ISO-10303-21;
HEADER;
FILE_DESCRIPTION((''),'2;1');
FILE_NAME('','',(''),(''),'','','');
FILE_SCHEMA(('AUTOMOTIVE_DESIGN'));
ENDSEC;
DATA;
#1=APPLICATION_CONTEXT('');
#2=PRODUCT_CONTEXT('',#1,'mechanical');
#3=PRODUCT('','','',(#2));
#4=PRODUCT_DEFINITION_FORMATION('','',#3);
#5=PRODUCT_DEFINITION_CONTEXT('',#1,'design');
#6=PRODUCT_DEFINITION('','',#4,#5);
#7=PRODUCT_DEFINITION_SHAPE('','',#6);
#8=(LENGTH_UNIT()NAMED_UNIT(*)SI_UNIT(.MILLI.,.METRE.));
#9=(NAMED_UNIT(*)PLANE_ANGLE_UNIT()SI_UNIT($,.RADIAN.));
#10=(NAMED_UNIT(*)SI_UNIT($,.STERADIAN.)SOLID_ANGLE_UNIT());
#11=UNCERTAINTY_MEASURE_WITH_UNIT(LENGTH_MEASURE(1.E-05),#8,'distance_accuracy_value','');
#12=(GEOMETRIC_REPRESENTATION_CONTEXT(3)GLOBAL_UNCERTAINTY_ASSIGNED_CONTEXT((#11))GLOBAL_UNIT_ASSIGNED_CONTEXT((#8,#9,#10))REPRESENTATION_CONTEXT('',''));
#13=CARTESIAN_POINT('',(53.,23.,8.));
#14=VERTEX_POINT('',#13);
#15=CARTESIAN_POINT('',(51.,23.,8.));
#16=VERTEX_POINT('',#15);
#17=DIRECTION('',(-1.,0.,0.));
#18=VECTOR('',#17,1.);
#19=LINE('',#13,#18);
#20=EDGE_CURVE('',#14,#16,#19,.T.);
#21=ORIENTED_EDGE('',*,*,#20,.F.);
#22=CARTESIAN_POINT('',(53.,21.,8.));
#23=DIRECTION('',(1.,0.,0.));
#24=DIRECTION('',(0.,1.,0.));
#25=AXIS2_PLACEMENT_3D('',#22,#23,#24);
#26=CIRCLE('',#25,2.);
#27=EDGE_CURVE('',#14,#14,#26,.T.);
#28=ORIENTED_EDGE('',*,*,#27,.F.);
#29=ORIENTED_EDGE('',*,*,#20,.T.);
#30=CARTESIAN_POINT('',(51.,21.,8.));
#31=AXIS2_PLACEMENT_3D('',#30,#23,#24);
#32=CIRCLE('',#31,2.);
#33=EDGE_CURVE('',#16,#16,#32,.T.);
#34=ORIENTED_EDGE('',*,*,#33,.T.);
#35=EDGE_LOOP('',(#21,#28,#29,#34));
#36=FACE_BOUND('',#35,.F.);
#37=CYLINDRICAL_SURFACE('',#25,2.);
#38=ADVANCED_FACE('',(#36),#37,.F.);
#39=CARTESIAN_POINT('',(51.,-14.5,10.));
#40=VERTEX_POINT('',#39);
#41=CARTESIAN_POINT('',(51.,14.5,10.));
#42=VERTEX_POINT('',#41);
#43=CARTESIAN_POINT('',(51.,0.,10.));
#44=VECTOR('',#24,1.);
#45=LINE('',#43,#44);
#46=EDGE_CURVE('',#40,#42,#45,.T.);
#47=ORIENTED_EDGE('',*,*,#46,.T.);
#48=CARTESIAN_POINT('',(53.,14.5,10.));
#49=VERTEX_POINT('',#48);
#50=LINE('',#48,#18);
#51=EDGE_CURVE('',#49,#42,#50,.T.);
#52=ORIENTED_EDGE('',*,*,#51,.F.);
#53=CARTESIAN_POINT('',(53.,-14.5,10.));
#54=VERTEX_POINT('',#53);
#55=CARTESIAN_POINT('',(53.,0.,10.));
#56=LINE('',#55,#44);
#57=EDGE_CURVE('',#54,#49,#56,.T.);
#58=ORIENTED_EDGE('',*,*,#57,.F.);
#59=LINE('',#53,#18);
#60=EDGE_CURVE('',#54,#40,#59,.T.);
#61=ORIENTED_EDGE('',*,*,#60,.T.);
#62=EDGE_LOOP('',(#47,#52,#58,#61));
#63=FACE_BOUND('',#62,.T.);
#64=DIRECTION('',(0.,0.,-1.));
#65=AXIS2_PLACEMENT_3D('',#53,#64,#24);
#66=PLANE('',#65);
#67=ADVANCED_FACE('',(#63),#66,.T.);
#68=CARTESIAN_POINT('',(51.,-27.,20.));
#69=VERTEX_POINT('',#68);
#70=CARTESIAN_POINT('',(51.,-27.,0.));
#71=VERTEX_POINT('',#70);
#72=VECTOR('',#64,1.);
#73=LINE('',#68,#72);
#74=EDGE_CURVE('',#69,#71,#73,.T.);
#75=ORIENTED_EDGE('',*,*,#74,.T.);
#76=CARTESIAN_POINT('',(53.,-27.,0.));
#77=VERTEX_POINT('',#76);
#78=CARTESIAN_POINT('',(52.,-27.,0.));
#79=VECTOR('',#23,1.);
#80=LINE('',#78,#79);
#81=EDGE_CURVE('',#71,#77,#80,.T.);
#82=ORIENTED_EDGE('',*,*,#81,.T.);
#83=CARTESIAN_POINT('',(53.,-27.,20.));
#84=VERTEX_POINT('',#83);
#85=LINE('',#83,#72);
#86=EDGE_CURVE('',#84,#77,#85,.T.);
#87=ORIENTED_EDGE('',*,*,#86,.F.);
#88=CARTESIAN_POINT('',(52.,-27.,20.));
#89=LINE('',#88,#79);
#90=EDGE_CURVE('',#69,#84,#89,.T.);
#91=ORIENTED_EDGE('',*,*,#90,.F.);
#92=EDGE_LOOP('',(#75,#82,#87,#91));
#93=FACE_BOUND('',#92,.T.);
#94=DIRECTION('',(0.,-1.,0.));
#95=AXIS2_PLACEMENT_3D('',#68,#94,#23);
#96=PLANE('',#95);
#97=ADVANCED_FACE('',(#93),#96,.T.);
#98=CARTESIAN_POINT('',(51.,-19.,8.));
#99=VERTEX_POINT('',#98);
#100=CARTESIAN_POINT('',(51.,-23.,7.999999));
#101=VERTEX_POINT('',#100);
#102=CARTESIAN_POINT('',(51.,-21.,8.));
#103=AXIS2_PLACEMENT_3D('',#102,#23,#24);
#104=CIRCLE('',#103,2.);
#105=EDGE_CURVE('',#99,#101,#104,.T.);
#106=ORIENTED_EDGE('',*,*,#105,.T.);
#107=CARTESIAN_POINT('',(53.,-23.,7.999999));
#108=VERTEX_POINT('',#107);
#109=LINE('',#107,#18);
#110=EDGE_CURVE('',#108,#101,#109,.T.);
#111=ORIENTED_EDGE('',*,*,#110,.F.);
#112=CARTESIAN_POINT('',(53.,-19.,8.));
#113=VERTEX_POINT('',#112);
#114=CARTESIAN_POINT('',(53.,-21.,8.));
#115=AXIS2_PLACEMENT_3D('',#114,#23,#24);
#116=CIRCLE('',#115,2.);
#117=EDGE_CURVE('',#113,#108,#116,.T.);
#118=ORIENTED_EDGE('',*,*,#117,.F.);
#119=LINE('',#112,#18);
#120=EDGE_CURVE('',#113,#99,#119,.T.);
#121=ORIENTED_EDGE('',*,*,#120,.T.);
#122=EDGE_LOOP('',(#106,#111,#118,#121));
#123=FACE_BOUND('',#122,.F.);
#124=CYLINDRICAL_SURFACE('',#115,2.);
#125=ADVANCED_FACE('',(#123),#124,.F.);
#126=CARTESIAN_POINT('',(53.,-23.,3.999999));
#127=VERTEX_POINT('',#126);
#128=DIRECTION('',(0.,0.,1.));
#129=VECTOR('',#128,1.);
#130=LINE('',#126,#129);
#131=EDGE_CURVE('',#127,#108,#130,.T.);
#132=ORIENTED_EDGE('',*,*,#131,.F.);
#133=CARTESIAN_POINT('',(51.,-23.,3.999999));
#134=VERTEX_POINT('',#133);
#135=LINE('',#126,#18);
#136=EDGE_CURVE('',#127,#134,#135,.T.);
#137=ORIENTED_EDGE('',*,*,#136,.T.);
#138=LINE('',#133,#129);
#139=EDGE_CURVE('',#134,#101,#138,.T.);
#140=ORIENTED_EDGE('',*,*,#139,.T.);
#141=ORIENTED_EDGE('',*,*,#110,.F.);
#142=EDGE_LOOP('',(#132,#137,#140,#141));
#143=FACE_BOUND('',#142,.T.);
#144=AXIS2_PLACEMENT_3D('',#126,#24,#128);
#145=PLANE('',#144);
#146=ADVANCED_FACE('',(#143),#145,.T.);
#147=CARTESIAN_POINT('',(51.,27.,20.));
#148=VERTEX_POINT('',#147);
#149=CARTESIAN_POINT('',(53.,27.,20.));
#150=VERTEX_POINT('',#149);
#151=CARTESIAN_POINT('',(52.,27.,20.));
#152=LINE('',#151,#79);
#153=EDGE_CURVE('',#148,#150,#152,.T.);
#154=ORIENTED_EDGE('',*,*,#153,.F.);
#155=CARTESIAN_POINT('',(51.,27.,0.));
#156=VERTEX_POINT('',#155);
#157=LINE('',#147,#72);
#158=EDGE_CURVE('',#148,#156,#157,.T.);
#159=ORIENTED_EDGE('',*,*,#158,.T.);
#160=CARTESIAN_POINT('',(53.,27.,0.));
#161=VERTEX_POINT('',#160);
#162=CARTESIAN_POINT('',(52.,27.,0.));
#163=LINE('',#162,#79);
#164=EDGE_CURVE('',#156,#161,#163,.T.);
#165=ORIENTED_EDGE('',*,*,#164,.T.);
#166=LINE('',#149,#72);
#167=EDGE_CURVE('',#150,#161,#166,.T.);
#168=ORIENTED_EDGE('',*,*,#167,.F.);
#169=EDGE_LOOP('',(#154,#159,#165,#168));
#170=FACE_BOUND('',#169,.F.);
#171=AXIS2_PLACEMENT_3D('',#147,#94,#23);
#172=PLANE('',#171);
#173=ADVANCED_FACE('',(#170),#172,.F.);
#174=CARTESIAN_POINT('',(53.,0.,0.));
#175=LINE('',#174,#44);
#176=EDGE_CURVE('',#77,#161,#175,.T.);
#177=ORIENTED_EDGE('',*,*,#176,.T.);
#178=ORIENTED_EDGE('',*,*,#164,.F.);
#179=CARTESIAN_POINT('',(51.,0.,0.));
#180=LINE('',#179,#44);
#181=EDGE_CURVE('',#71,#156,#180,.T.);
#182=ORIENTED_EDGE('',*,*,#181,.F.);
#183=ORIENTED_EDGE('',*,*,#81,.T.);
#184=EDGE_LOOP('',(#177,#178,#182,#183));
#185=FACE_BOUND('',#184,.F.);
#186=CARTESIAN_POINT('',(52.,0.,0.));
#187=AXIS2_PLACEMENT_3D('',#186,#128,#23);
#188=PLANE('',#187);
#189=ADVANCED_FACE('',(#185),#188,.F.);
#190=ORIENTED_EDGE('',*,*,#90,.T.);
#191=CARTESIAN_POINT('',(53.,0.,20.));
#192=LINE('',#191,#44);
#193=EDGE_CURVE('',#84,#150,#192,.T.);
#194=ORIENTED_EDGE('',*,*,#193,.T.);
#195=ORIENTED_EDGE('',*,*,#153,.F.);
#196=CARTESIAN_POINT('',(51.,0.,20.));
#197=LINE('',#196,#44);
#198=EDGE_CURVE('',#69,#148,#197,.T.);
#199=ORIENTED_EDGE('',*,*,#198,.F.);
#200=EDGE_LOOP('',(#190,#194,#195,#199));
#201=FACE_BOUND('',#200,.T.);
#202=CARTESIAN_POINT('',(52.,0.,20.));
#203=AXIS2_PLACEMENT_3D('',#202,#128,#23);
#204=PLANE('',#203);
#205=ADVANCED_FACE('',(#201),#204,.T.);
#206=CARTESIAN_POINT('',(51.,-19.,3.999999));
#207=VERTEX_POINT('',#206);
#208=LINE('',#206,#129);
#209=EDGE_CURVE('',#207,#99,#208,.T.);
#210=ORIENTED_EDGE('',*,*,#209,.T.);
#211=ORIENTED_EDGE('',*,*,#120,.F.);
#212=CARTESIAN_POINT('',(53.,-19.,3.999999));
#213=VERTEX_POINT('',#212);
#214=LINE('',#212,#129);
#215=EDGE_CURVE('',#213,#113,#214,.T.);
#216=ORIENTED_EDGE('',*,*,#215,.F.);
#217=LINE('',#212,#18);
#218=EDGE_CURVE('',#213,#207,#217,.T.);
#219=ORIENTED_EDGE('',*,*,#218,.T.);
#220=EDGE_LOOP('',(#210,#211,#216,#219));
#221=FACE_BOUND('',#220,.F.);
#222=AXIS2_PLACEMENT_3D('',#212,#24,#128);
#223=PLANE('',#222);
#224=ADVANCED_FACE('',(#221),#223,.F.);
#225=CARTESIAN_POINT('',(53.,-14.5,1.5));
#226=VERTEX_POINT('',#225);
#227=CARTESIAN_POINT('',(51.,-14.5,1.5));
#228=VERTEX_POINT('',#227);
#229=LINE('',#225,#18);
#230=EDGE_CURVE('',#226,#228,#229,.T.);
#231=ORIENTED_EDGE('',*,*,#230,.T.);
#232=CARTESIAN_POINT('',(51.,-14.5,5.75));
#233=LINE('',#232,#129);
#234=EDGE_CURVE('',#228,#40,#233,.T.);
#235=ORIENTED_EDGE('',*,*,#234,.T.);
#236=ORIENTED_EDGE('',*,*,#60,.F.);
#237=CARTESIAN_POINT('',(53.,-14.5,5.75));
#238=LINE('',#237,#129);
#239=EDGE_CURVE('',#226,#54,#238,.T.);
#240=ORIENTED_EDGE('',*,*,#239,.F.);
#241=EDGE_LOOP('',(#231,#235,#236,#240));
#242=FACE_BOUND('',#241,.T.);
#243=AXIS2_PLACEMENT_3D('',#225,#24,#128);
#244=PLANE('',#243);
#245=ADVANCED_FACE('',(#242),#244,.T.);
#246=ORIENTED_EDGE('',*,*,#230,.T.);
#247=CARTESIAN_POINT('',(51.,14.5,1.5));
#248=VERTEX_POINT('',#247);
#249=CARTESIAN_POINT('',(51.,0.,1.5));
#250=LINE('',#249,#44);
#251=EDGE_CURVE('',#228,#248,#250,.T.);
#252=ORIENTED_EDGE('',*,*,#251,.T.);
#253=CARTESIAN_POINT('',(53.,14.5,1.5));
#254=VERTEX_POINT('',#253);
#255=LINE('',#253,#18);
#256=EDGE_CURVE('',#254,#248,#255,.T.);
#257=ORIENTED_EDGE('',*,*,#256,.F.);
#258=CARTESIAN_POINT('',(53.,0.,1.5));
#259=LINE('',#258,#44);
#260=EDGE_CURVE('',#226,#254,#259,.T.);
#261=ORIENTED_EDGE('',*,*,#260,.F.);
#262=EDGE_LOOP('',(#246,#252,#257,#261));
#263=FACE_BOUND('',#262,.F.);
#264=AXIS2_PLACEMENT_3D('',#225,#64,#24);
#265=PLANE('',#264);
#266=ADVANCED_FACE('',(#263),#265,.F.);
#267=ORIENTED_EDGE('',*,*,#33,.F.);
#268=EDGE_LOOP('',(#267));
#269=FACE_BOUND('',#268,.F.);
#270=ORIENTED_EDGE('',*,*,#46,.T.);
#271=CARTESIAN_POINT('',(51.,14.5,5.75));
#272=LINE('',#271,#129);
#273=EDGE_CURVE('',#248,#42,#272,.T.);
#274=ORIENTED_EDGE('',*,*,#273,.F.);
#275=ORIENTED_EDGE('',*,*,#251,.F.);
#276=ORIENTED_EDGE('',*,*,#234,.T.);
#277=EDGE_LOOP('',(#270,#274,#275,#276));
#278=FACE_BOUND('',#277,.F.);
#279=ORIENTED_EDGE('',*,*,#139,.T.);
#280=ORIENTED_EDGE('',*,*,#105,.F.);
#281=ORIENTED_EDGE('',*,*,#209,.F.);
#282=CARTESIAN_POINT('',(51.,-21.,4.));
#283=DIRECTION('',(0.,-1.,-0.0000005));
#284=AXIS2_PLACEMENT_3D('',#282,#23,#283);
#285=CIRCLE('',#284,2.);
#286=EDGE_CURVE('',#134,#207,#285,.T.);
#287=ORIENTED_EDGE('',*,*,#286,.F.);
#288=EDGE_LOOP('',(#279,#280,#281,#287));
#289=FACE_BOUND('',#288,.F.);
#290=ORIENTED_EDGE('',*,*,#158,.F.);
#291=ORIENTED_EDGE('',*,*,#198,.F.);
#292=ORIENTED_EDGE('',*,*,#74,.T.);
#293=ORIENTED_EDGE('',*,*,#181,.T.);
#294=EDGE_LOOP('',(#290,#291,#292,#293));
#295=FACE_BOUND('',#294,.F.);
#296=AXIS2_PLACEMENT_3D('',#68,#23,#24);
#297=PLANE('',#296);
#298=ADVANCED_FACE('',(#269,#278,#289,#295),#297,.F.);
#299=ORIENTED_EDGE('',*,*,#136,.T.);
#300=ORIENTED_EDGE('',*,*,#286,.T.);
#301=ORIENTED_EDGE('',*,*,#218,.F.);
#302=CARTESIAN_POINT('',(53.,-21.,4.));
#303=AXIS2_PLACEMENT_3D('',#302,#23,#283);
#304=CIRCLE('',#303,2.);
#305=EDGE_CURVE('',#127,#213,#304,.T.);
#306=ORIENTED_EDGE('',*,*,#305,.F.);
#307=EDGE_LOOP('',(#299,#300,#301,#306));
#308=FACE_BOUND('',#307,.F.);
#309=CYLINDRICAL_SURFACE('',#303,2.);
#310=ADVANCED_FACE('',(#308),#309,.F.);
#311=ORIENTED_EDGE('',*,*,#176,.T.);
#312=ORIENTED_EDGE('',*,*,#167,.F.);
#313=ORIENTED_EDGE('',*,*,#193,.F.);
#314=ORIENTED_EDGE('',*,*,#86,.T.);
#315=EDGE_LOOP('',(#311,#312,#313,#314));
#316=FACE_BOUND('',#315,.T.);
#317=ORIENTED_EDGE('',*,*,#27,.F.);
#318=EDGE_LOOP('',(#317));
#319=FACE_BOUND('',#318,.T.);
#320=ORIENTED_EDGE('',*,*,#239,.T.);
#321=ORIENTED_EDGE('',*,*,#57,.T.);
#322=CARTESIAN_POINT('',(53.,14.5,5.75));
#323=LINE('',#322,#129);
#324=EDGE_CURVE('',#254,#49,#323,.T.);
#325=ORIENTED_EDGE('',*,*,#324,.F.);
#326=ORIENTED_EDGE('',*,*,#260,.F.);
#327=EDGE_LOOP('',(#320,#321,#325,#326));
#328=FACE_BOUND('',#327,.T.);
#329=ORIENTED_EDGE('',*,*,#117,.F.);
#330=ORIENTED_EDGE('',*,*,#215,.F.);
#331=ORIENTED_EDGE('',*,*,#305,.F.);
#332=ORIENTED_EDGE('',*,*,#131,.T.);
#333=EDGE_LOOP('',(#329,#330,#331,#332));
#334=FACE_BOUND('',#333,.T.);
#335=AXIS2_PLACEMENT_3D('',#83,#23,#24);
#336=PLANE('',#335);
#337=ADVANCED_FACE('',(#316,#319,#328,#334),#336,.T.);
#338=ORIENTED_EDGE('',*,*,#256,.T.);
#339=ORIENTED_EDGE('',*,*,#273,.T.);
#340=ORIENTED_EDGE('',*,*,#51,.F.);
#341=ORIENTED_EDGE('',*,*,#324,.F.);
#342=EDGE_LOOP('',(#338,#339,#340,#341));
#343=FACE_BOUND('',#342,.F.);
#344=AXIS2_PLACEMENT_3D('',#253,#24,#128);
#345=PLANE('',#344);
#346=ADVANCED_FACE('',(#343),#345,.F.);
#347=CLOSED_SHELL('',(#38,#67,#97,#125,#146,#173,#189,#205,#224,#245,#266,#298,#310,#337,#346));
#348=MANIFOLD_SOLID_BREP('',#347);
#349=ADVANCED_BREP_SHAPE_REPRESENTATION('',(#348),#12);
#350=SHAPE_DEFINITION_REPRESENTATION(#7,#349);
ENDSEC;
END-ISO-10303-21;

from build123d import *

# Parameters (mm, degrees)
SKETCH021_W     = 2
SKETCH021_H     = 54
PAD012_DEPTH    = 20
POCKET007_DEPTH = 2
SKETCH023_R     = 2
POCKET008_DEPTH = 2
SKETCH024_W     = 29
SKETCH024_H     = 8.5
POCKET009_DEPTH = 2


with BuildPart() as part:
    # Sketch021 → Pad012 (new body)
    with BuildSketch(Plane.XY.offset(20)):
        with Locations((52, 0)):
            Rectangle(SKETCH021_W, SKETCH021_H)
    extrude(amount=-PAD012_DEPTH)

    # Sketch022 (on Face4 of Pad012) → Pocket007 (cut)
    with BuildSketch(Plane.YZ.offset(53)):
        with BuildLine():
            Line((-19, 3.999999), (-19, 8))
            ThreePointArc((-19, 8), (-21, 10), (-23, 7.999999))
            Line((-23, 3.999999), (-23, 7.999999))
            ThreePointArc((-23, 3.999999), (-21, 2), (-19, 3.999999))
        make_face()
    extrude(amount=-POCKET007_DEPTH, mode=Mode.SUBTRACT)

    # Sketch023 (on Face2 of Pocket007) → Pocket008 (cut)
    with BuildSketch(Plane.YZ.offset(53)):
        with Locations((21, 8)):
            Circle(SKETCH023_R)
    extrude(amount=-POCKET008_DEPTH, mode=Mode.SUBTRACT)

    # Sketch024 (on Face2 of Pocket008) → Pocket009 (cut)
    with BuildSketch(Plane.YZ.offset(53)):
        with Locations((0, 5.75)):
            Rectangle(SKETCH024_W, SKETCH024_H)
    extrude(amount=-POCKET009_DEPTH, mode=Mode.SUBTRACT)


solid = part.part
